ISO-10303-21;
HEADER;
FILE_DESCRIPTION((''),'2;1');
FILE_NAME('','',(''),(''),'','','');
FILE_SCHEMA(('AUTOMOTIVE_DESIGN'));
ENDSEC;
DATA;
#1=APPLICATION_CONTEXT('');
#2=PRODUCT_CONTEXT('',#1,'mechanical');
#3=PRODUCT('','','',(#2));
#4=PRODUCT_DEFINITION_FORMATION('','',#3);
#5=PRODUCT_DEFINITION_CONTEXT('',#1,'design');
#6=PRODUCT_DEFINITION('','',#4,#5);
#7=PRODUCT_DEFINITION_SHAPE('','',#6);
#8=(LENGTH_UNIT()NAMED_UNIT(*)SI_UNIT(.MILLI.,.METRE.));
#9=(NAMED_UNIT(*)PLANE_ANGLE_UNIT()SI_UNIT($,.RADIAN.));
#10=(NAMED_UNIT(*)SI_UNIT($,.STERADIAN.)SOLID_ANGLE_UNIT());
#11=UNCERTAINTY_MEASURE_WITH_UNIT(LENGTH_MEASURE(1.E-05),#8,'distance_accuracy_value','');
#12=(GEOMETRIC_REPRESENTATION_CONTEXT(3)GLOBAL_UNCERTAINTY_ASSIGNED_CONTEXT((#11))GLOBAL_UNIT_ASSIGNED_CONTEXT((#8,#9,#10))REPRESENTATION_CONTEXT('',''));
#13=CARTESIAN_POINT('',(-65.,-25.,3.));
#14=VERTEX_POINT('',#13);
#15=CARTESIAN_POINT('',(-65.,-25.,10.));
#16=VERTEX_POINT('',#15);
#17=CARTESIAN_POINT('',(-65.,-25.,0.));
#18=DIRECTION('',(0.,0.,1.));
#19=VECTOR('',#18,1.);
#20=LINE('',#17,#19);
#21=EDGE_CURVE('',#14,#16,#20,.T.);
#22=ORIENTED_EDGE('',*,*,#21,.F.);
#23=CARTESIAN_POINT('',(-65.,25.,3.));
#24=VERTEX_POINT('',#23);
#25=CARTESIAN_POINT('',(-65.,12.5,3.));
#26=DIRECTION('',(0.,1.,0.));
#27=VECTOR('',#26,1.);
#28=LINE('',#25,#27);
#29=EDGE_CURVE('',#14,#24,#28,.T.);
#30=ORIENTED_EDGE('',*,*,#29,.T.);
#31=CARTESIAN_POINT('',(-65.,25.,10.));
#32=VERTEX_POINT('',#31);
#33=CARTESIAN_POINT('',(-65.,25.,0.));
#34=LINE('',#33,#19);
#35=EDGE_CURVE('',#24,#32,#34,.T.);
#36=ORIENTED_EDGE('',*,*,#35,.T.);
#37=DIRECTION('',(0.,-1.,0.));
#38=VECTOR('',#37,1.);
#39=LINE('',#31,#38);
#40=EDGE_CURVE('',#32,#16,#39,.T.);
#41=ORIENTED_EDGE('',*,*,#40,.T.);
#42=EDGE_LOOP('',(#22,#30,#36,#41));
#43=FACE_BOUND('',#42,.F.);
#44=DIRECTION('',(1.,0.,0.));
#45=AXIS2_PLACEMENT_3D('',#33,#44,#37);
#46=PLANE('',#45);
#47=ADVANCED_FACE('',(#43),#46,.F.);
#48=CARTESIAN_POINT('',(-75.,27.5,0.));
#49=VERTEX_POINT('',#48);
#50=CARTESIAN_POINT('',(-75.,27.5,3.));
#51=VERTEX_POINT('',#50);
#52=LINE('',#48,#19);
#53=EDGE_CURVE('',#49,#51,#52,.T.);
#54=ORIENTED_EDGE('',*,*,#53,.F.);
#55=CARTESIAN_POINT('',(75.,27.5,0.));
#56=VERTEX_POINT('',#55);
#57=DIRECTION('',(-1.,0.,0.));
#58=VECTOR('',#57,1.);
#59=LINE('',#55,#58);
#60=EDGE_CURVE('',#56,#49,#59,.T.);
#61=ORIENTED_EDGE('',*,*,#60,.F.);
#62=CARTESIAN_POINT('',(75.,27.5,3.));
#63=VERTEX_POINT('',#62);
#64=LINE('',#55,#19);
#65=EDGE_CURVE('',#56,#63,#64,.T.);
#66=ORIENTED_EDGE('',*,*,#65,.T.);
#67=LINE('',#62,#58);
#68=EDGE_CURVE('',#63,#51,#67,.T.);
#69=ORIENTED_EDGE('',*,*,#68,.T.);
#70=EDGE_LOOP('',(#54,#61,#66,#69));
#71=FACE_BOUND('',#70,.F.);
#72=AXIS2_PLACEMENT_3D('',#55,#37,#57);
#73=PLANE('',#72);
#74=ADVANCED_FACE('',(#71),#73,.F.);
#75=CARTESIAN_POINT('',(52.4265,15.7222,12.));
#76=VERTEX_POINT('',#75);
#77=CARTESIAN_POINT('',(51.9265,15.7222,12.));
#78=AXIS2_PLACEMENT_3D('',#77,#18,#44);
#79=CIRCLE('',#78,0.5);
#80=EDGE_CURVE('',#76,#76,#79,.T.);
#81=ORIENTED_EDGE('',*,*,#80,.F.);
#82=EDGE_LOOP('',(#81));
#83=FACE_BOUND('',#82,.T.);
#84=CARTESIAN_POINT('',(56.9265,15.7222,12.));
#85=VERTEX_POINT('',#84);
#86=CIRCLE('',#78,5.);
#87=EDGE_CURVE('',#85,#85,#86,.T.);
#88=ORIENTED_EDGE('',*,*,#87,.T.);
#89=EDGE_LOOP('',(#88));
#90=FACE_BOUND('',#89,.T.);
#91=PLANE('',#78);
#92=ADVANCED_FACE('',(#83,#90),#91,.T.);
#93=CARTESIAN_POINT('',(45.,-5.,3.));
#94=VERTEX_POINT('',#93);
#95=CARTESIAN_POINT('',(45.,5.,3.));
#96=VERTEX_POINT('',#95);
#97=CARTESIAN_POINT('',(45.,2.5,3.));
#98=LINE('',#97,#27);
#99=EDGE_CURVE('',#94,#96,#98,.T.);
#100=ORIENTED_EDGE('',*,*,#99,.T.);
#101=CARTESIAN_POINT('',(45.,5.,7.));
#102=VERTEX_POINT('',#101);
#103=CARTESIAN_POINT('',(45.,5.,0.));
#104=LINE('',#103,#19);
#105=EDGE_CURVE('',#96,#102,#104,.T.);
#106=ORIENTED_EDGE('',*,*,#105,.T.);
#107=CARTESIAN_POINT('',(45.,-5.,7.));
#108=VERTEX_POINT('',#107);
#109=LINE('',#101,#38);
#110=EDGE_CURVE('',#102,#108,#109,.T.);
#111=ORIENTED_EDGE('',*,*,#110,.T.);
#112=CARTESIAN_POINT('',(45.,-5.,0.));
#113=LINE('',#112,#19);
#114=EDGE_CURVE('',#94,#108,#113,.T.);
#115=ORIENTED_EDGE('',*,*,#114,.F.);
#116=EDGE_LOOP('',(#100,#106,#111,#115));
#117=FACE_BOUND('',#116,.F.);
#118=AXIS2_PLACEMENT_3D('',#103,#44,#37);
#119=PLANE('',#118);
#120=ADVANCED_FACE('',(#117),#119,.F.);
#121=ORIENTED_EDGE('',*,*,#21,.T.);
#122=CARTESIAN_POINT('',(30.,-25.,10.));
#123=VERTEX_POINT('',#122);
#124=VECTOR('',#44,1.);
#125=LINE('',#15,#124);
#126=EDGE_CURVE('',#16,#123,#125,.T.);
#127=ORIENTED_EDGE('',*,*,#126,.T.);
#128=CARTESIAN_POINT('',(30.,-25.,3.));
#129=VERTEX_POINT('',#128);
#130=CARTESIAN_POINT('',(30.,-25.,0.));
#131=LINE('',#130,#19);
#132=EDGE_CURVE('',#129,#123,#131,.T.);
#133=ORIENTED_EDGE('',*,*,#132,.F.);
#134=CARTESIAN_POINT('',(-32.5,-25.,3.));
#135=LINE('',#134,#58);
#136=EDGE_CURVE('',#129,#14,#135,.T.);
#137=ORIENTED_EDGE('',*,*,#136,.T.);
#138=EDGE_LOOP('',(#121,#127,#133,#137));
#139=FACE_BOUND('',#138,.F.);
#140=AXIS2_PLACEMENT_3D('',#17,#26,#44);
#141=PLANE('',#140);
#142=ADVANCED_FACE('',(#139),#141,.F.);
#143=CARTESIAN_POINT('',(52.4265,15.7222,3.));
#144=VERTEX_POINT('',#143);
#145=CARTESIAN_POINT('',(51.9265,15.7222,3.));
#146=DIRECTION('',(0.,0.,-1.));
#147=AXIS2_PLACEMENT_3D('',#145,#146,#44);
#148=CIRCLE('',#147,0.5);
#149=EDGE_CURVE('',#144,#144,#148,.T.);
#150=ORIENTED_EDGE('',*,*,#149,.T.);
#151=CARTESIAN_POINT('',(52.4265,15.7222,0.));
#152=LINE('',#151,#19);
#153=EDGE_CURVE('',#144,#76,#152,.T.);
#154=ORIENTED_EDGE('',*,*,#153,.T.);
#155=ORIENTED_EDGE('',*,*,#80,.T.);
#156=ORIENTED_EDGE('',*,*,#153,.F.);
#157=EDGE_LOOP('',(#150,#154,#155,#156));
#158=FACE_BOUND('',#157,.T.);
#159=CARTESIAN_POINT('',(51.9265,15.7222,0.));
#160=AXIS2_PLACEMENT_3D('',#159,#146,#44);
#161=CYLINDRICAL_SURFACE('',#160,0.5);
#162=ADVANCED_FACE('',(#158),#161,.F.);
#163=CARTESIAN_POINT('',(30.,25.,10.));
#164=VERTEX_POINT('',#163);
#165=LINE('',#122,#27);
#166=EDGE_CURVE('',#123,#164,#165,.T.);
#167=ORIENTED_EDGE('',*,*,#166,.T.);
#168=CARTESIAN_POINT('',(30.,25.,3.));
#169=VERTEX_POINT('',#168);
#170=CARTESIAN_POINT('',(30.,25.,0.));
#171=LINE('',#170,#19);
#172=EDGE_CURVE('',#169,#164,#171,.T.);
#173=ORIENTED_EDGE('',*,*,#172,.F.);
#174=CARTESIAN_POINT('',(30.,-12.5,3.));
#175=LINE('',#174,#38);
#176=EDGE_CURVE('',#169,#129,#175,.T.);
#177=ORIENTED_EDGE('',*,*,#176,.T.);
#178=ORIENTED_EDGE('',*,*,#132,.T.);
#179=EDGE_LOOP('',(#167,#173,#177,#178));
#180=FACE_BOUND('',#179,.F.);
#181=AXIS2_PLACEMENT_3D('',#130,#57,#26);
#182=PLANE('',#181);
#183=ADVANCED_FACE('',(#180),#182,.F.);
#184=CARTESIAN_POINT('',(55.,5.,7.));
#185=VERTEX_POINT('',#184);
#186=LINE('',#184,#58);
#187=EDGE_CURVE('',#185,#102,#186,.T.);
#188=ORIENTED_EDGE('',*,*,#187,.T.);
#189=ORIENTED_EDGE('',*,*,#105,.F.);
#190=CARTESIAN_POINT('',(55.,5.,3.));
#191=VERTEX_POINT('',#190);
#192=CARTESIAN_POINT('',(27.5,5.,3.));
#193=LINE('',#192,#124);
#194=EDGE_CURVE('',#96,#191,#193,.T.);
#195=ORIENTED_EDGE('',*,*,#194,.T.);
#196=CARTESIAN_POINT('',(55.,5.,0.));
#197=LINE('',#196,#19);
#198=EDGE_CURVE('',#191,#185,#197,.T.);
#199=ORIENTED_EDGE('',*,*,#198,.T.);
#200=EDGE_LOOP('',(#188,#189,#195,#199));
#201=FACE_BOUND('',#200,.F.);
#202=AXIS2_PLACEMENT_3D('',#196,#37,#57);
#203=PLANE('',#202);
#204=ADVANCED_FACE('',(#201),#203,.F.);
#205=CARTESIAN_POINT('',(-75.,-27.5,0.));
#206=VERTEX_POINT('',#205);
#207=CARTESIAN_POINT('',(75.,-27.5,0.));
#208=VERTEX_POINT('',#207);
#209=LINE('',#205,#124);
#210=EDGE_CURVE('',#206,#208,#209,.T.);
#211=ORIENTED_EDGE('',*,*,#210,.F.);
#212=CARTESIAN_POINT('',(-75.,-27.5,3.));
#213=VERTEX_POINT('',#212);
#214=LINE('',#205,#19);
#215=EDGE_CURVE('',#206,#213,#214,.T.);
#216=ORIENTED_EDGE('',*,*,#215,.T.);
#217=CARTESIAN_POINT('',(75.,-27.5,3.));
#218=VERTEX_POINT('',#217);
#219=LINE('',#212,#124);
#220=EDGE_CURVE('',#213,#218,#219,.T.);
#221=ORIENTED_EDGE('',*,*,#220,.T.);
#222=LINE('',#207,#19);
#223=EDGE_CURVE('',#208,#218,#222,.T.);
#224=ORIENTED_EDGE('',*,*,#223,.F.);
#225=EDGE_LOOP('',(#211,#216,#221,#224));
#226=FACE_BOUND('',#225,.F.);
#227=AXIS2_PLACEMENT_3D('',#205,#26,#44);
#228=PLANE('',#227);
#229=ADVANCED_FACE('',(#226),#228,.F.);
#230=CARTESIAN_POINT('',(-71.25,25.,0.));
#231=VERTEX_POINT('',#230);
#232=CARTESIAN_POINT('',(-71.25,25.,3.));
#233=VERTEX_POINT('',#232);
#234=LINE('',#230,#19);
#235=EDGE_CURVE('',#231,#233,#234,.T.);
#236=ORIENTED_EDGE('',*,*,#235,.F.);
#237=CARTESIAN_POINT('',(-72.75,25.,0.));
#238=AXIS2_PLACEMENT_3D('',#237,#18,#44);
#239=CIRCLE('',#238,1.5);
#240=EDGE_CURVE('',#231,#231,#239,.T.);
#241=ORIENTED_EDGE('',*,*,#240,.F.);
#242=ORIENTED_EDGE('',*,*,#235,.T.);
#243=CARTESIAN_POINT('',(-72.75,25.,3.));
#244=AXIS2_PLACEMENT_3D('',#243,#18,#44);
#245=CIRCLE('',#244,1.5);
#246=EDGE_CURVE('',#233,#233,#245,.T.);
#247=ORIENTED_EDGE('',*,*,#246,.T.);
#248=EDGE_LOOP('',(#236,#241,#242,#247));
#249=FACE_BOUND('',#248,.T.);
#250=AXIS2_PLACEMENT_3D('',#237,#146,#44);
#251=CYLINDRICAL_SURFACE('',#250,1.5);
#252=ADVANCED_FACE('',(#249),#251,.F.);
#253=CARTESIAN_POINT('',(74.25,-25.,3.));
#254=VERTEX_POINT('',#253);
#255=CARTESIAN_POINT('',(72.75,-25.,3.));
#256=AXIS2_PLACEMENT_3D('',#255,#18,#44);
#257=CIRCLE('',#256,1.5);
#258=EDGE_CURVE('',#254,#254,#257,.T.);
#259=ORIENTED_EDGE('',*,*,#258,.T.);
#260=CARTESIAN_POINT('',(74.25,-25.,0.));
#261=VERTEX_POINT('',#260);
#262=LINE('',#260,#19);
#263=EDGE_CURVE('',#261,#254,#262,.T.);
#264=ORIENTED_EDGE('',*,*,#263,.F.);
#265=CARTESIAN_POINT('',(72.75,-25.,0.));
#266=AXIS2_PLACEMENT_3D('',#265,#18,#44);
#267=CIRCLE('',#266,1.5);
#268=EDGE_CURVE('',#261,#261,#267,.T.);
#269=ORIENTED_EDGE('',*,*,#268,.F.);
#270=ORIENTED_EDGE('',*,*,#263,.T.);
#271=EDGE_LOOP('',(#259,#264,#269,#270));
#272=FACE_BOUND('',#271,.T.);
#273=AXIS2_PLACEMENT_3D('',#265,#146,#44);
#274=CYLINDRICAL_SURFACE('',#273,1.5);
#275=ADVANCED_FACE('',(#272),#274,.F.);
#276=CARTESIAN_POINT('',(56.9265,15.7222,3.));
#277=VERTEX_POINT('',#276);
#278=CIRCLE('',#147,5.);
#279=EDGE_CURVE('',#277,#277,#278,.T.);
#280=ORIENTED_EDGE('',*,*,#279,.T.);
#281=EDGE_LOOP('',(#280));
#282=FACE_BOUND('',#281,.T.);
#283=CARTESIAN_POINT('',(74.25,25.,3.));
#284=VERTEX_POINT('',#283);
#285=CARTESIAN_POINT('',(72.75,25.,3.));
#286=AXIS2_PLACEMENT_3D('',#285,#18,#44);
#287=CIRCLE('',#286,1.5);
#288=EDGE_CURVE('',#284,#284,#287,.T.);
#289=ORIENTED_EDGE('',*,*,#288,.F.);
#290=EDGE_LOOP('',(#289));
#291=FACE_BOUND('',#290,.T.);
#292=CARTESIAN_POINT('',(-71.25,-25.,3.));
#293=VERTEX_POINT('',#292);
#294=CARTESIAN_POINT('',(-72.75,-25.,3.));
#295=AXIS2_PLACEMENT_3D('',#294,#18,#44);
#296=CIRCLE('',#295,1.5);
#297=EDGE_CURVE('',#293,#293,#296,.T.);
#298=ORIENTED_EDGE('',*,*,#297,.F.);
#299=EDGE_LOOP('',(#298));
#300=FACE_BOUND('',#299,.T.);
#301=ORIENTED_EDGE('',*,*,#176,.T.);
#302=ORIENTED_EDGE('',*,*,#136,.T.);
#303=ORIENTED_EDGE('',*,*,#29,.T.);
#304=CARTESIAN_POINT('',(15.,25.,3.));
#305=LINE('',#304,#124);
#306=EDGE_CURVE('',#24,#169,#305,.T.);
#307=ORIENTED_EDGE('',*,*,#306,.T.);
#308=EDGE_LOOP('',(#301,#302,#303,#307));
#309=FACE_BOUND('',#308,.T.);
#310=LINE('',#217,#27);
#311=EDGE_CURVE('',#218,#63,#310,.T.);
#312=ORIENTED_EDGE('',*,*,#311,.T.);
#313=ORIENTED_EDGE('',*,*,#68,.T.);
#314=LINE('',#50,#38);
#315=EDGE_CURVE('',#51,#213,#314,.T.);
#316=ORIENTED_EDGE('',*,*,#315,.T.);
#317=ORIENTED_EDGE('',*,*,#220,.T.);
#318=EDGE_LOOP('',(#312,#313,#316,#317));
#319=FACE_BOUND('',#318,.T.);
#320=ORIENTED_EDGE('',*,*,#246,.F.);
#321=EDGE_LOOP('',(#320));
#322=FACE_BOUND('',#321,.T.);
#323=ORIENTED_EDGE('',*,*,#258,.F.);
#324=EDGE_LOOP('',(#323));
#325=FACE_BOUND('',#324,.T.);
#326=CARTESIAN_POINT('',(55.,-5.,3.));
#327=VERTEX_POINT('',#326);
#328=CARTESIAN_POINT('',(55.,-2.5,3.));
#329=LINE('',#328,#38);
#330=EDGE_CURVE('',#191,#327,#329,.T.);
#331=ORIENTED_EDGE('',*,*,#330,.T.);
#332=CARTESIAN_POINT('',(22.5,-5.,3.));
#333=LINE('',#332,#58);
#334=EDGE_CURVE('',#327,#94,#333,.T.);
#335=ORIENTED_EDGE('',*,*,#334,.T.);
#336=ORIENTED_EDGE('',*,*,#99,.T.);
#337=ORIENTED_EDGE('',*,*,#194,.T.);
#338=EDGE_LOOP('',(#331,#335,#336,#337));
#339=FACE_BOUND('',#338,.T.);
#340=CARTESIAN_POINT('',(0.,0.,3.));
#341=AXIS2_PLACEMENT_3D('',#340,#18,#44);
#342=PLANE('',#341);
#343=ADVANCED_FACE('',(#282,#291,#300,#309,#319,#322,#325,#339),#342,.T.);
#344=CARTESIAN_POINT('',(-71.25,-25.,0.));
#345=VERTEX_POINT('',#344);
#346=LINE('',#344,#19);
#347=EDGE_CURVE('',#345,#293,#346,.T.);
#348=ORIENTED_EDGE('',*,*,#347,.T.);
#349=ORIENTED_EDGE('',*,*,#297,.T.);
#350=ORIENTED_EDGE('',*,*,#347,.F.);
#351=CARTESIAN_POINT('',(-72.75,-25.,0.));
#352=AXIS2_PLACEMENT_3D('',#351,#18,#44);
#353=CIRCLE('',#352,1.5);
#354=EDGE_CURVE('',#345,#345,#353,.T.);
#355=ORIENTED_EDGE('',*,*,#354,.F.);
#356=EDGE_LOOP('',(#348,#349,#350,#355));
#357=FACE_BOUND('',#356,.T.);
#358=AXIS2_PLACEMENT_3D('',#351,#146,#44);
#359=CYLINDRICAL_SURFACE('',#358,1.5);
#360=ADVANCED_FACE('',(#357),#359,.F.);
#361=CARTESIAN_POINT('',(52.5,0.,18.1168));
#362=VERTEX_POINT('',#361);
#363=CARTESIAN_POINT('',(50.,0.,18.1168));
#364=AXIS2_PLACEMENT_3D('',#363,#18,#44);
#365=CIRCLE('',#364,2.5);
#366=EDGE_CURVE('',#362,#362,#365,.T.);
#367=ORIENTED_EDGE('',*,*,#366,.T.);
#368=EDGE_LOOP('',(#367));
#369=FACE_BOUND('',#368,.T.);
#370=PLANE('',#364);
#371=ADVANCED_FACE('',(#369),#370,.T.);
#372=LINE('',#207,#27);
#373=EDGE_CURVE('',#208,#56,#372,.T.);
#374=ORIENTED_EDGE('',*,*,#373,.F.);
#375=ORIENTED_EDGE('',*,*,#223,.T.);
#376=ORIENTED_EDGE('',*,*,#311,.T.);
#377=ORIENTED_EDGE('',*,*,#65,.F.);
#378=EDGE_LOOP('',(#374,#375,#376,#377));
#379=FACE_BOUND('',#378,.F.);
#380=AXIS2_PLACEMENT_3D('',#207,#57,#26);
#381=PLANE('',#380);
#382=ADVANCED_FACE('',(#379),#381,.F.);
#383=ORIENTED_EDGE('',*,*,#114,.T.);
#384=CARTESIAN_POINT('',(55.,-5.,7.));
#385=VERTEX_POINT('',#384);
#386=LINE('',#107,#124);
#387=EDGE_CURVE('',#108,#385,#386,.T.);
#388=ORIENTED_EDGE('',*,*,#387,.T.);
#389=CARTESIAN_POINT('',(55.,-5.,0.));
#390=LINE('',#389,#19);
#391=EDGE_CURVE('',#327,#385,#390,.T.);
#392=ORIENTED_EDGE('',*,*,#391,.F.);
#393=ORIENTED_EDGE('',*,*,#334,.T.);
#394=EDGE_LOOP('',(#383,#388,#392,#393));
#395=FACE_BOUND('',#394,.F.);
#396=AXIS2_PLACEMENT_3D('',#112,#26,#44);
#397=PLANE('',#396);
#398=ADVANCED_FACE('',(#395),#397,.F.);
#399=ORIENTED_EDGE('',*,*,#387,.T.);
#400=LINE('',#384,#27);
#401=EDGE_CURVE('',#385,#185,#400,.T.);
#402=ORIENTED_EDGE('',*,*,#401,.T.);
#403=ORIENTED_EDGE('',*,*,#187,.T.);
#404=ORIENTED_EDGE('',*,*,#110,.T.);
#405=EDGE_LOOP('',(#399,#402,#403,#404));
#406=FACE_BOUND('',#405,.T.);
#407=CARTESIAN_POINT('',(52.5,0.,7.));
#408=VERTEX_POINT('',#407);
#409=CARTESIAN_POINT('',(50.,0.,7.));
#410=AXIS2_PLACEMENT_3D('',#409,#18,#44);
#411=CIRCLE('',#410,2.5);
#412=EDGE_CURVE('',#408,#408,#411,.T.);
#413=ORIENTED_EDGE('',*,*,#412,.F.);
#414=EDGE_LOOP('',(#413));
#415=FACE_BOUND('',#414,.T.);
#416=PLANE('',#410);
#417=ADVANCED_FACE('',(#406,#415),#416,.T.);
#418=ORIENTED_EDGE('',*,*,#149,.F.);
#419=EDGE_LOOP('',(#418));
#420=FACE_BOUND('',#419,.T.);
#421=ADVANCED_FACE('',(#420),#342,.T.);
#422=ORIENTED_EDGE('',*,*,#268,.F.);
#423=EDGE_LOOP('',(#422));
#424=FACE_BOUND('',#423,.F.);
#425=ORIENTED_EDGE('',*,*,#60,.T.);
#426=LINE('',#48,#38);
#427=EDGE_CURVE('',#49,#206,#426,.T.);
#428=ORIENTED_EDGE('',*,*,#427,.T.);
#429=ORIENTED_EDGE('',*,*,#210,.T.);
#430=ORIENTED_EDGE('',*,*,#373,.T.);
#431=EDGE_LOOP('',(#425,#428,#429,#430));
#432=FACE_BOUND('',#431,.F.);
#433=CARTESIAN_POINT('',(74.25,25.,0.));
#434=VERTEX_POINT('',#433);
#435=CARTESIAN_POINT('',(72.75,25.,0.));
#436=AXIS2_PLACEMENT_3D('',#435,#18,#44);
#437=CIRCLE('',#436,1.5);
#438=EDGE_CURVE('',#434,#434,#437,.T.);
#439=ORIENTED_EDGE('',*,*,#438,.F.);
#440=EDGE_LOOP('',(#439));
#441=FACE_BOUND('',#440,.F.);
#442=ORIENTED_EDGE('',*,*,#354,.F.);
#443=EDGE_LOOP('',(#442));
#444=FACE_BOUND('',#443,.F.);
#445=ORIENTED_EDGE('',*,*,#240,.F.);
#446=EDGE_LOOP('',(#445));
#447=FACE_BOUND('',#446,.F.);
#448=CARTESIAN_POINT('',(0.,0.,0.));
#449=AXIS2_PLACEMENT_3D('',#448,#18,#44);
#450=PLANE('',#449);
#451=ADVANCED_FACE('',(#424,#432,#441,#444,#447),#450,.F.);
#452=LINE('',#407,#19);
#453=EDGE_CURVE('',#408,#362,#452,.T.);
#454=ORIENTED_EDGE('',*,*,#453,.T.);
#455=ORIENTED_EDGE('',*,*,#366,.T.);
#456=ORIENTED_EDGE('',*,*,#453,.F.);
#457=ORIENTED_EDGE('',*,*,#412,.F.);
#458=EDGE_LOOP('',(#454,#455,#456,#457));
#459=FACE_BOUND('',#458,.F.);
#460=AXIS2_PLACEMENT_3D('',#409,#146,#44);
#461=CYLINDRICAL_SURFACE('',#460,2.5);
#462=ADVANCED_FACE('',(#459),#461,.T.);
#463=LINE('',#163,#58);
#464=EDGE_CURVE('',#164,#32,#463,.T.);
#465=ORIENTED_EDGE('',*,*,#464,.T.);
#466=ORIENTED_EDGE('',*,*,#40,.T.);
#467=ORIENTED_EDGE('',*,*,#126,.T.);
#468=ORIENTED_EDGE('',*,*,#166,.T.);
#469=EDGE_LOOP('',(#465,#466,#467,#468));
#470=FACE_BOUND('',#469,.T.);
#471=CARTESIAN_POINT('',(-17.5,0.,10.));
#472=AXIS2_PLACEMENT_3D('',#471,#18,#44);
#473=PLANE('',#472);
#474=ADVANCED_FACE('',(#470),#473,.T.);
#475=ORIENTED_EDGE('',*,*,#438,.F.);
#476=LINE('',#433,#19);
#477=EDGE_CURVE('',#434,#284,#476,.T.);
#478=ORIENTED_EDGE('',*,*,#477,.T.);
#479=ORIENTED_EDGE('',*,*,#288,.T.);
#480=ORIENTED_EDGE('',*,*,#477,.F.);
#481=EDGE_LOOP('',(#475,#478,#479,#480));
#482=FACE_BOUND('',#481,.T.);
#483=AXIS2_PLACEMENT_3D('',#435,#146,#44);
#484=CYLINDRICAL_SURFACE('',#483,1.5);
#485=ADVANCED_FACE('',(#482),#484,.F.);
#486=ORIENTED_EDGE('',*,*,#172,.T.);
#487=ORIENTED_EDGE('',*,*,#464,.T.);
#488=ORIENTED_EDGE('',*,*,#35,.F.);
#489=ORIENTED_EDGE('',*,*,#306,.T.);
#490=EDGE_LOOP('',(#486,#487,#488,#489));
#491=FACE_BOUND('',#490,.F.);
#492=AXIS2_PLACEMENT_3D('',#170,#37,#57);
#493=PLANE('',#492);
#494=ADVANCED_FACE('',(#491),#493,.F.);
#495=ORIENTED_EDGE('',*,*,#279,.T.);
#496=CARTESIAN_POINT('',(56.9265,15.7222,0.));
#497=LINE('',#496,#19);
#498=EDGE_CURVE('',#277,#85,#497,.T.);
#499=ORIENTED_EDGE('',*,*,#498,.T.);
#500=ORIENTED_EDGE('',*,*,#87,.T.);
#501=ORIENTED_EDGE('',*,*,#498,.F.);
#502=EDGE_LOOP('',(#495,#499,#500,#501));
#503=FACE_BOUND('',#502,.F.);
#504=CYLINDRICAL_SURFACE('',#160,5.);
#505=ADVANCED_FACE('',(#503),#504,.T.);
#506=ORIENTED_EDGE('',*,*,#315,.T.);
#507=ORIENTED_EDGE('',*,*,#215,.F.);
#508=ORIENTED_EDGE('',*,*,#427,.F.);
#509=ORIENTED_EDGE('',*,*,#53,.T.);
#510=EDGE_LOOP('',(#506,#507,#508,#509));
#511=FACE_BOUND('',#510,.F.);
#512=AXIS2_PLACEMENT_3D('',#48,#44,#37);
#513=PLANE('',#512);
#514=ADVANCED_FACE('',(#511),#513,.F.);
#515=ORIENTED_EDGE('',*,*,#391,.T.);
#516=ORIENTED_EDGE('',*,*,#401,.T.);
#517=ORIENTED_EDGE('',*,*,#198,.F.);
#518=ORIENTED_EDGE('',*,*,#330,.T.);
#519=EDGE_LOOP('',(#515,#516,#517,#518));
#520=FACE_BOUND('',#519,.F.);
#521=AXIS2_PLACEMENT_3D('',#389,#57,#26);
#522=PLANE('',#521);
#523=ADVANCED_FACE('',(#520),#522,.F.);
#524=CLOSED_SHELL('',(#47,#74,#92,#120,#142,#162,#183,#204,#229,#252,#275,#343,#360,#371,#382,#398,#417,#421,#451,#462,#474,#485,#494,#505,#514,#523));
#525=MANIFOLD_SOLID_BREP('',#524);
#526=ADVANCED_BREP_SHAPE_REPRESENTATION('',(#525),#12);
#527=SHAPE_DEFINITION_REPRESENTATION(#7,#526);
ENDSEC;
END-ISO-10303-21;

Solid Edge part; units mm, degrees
sketch "Sketch1" plane through (0, 0, 0) normal (0, 0, 1) x (1, 0, 0)
  circle A0 centre (-72.75, 25) radius 1.5
  circle A1 centre (72.75, 25) radius 1.5
  circle A2 centre (72.75, -25) radius 1.5
  circle A3 centre (-72.75, -25) radius 1.5
  line L0 (-75, -27.5) -> (75, -27.5)
  line L1 (75, -27.5) -> (75, 27.5)
  line L2 (75, 27.5) -> (-75, 27.5)
  line L3 (-75, 27.5) -> (-75, -27.5)
  dimension "D1" = 55
  dimension "D2" = 55
  dimension "D3" = 27.5
  dimension "D4" = 150
  dimension "D5" = 55
  dimension "D6" = 75
  dimension "D7" = 145.5
  dimension "D8" = 72.75
  dimension "D9" = 25
  dimension "D10" = 25
extrude "Protrusion1" add sketch "Sketch1" along normal blind 3
sketch "Sketch2" plane through (0, 0, 0) normal (0, 0, 1) x (1, 0, 0)
  line L0 (-65, -25) -> (30, -25)
  line L1 (30, -25) -> (30, 25)
  line L2 (30, 25) -> (-65, 25)
  line L3 (-65, 25) -> (-65, -25)
  dimension "D1" = 25
  dimension "D2" = 25
  dimension "D3" = 65
  dimension "D4" = 30
extrude "ExtrudedProtrusion_2" add sketch "Sketch2" along normal blind 10
sketch "Sketch3" plane through (0, 0, 0) normal (0, 0, 1) x (1, 0, 0)
  circle A0 centre (51.9265, 15.7222) radius 5
  circle A1 centre (51.9265, 15.7222) radius 0.5
extrude "ExtrudedProtrusion_3" add sketch "Sketch3" along normal blind 12
sketch "Sketch4" plane through (0, 0, 0) normal (0, 0, 1) x (1, 0, 0)
  line L0 (45, -5) -> (55, -5)
  line L1 (55, -5) -> (55, 5)
  line L2 (55, 5) -> (45, 5)
  line L3 (45, 5) -> (45, -5)
  dimension "D1" = 10
  dimension "D2" = 10
  dimension "D3" = 5
  dimension "D4" = 55
extrude "ExtrudedProtrusion_4" add sketch "Sketch4" along normal blind 7
sketch "Sketch5" plane through (50, 0, 7) normal (0, 0, 1) x (1, 0, 0)
  circle A0 centre (0, 0) radius 2.5
  dimension "D1" = 5
  dimension "D2" = 5
extrude "ExtrudedProtrusion_5" add sketch "Sketch5" along normal blind 11.1168
